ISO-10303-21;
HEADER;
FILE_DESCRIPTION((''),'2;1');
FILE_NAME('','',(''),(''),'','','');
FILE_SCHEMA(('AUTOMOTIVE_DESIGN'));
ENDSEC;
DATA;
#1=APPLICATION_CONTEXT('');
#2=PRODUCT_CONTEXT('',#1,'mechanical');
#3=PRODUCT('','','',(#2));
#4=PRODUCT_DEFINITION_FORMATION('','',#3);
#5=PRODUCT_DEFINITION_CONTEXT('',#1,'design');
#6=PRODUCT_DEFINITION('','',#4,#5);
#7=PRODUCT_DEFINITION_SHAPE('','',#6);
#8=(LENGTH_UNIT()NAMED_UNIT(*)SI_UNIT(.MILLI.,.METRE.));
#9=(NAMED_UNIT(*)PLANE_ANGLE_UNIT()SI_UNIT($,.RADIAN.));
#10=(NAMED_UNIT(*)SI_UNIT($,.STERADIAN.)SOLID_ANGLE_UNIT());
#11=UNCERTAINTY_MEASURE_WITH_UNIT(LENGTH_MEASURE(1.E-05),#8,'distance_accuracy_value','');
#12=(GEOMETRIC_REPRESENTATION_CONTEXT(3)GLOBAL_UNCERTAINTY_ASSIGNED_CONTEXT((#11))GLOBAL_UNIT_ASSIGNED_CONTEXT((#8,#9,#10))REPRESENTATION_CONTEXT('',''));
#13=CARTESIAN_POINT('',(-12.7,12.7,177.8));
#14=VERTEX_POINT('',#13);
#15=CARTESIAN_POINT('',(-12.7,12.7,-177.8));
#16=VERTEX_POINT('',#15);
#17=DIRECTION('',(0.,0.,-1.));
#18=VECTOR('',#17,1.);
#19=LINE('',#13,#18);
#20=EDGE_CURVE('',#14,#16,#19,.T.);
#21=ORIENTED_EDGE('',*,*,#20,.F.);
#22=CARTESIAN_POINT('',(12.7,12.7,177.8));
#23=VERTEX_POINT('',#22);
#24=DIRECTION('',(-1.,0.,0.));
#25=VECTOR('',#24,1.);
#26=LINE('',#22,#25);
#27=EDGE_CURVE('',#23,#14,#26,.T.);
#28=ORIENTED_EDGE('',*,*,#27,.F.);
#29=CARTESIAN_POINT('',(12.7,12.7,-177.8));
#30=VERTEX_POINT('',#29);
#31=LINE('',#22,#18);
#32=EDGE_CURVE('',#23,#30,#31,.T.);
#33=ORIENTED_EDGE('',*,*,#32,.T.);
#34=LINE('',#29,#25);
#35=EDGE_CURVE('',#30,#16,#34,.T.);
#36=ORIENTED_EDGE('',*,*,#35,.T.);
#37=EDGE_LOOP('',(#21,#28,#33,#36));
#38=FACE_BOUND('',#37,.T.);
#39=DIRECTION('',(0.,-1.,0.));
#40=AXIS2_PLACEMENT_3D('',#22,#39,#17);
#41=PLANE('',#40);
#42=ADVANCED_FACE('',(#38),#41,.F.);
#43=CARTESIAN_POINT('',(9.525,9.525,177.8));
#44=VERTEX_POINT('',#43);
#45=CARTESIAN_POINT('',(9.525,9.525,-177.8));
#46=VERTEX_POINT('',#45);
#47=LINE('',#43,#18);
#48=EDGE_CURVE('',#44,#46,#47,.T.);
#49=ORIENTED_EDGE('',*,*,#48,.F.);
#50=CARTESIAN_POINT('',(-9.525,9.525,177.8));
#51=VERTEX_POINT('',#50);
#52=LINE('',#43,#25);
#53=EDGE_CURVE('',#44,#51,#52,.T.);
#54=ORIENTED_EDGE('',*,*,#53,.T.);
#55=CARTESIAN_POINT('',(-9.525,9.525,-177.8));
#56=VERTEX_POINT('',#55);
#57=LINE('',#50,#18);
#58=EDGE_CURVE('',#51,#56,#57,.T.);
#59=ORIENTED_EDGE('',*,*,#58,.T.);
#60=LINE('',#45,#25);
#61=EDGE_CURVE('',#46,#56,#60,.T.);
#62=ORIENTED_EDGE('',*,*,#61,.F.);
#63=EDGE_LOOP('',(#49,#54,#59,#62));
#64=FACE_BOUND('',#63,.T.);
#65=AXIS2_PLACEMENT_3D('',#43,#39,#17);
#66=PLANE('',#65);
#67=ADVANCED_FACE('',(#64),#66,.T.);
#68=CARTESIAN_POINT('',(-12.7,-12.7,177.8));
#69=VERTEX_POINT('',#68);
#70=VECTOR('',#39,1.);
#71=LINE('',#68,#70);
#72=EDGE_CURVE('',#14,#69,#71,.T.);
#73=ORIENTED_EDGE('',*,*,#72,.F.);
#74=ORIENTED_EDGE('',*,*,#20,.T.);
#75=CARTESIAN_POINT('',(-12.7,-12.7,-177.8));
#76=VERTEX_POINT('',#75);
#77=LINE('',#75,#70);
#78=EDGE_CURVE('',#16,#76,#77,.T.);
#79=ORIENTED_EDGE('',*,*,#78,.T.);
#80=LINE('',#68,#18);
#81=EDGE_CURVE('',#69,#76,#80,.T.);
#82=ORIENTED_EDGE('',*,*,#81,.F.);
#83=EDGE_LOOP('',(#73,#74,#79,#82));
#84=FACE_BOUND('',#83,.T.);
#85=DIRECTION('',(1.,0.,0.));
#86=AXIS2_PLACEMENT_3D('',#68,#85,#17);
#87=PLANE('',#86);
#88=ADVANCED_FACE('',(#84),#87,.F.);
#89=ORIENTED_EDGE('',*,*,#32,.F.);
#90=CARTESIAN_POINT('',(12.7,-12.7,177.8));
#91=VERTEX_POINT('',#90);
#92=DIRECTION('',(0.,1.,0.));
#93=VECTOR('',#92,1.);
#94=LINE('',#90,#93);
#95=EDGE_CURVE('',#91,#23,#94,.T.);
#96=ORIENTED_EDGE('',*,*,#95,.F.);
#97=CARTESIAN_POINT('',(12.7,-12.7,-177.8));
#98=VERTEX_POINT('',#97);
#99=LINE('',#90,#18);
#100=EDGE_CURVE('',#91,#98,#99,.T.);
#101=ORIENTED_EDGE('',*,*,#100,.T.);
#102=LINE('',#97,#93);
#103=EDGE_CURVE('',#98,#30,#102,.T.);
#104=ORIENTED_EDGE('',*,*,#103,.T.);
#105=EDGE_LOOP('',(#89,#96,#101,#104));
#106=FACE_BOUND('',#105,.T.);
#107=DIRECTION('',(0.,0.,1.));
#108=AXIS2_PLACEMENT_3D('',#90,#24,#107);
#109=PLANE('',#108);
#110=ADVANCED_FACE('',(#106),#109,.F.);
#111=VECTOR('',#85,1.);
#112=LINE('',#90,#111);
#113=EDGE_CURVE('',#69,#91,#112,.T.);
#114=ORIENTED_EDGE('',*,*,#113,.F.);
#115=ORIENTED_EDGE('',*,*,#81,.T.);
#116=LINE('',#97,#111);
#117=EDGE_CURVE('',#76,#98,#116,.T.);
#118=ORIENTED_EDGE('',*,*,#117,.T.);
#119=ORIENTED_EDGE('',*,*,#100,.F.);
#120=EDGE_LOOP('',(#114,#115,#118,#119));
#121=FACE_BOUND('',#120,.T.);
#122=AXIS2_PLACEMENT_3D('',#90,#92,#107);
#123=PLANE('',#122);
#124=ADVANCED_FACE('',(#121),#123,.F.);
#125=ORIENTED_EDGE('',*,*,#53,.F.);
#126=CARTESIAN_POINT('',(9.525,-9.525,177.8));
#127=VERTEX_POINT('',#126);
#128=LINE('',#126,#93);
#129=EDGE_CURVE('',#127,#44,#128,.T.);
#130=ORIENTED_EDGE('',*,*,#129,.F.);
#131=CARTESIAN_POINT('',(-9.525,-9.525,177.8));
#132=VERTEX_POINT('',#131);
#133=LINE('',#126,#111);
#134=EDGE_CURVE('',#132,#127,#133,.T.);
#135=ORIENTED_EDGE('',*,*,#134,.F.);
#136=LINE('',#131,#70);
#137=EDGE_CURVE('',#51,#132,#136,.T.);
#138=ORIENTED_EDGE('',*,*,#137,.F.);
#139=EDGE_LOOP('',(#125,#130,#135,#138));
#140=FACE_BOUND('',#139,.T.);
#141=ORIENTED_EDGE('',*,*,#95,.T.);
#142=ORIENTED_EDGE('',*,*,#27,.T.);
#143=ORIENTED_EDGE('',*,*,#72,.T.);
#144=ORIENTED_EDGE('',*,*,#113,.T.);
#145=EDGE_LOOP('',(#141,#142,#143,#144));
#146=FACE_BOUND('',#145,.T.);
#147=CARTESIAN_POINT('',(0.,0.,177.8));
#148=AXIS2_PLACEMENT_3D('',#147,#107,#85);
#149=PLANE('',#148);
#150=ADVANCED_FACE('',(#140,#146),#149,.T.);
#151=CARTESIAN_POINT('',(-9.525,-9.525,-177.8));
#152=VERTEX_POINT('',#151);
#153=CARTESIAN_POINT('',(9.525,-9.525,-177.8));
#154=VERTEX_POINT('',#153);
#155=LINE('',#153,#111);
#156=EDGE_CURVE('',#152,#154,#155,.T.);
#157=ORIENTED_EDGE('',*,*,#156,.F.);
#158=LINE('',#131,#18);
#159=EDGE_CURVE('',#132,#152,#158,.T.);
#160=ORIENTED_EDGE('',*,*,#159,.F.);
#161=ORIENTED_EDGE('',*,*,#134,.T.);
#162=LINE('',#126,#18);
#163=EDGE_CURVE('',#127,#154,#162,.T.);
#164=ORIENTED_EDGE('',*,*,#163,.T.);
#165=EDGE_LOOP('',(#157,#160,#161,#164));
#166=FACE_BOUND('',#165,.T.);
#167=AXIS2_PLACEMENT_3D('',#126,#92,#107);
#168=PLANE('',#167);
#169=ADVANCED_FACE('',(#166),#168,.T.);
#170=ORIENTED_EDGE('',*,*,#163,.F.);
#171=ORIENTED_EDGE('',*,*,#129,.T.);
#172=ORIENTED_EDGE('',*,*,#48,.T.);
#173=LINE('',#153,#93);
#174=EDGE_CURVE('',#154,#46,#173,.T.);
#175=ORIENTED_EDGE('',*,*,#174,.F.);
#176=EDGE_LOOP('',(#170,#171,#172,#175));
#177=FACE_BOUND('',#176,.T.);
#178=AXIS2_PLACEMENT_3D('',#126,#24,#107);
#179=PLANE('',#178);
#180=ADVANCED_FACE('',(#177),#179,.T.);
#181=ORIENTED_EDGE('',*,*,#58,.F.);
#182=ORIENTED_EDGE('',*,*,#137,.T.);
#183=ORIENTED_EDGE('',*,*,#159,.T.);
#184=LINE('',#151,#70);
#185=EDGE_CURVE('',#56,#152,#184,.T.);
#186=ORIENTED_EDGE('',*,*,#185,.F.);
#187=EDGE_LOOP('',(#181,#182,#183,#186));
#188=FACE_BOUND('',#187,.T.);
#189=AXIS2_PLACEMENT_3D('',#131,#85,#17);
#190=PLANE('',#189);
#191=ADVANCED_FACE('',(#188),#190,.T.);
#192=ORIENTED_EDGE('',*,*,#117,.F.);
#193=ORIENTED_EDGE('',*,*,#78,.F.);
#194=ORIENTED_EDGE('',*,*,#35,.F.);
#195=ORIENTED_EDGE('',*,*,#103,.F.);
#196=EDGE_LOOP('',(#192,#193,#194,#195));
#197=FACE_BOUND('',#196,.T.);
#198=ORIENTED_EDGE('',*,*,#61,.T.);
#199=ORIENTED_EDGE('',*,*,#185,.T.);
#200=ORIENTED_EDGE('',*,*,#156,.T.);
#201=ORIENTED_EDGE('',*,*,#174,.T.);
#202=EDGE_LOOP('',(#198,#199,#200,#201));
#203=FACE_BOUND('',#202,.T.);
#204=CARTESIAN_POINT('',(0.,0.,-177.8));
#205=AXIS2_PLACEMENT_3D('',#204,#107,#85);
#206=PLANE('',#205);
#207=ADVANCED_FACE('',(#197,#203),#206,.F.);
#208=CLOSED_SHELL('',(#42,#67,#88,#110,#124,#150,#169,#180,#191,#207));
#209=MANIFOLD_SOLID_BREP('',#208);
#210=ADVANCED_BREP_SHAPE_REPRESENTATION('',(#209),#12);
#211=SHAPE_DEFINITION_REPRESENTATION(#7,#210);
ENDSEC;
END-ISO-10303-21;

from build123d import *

# Parameters (mm, degrees)
BOSS_EXTRUDE1_DEPTH      = 177.8
BOSS_EXTRUDE1_DEPTH_BACK = 177.8
SKETCH3_W                = 25.4
SKETCH3_H                = 25.4
SKETCH3_W_2              = 19.05
SKETCH3_H_2              = 19.05


with BuildPart() as part:
    # Sketch3 → Boss-Extrude1 (new, two sides: drawn at the far end of the back side and taken through both)
    with BuildSketch(Plane.XY.offset(-BOSS_EXTRUDE1_DEPTH_BACK)):
        Rectangle(SKETCH3_W, SKETCH3_H)
        Rectangle(SKETCH3_W_2, SKETCH3_H_2, mode=Mode.SUBTRACT)
    extrude(amount=BOSS_EXTRUDE1_DEPTH + BOSS_EXTRUDE1_DEPTH_BACK)


solid = part.part
